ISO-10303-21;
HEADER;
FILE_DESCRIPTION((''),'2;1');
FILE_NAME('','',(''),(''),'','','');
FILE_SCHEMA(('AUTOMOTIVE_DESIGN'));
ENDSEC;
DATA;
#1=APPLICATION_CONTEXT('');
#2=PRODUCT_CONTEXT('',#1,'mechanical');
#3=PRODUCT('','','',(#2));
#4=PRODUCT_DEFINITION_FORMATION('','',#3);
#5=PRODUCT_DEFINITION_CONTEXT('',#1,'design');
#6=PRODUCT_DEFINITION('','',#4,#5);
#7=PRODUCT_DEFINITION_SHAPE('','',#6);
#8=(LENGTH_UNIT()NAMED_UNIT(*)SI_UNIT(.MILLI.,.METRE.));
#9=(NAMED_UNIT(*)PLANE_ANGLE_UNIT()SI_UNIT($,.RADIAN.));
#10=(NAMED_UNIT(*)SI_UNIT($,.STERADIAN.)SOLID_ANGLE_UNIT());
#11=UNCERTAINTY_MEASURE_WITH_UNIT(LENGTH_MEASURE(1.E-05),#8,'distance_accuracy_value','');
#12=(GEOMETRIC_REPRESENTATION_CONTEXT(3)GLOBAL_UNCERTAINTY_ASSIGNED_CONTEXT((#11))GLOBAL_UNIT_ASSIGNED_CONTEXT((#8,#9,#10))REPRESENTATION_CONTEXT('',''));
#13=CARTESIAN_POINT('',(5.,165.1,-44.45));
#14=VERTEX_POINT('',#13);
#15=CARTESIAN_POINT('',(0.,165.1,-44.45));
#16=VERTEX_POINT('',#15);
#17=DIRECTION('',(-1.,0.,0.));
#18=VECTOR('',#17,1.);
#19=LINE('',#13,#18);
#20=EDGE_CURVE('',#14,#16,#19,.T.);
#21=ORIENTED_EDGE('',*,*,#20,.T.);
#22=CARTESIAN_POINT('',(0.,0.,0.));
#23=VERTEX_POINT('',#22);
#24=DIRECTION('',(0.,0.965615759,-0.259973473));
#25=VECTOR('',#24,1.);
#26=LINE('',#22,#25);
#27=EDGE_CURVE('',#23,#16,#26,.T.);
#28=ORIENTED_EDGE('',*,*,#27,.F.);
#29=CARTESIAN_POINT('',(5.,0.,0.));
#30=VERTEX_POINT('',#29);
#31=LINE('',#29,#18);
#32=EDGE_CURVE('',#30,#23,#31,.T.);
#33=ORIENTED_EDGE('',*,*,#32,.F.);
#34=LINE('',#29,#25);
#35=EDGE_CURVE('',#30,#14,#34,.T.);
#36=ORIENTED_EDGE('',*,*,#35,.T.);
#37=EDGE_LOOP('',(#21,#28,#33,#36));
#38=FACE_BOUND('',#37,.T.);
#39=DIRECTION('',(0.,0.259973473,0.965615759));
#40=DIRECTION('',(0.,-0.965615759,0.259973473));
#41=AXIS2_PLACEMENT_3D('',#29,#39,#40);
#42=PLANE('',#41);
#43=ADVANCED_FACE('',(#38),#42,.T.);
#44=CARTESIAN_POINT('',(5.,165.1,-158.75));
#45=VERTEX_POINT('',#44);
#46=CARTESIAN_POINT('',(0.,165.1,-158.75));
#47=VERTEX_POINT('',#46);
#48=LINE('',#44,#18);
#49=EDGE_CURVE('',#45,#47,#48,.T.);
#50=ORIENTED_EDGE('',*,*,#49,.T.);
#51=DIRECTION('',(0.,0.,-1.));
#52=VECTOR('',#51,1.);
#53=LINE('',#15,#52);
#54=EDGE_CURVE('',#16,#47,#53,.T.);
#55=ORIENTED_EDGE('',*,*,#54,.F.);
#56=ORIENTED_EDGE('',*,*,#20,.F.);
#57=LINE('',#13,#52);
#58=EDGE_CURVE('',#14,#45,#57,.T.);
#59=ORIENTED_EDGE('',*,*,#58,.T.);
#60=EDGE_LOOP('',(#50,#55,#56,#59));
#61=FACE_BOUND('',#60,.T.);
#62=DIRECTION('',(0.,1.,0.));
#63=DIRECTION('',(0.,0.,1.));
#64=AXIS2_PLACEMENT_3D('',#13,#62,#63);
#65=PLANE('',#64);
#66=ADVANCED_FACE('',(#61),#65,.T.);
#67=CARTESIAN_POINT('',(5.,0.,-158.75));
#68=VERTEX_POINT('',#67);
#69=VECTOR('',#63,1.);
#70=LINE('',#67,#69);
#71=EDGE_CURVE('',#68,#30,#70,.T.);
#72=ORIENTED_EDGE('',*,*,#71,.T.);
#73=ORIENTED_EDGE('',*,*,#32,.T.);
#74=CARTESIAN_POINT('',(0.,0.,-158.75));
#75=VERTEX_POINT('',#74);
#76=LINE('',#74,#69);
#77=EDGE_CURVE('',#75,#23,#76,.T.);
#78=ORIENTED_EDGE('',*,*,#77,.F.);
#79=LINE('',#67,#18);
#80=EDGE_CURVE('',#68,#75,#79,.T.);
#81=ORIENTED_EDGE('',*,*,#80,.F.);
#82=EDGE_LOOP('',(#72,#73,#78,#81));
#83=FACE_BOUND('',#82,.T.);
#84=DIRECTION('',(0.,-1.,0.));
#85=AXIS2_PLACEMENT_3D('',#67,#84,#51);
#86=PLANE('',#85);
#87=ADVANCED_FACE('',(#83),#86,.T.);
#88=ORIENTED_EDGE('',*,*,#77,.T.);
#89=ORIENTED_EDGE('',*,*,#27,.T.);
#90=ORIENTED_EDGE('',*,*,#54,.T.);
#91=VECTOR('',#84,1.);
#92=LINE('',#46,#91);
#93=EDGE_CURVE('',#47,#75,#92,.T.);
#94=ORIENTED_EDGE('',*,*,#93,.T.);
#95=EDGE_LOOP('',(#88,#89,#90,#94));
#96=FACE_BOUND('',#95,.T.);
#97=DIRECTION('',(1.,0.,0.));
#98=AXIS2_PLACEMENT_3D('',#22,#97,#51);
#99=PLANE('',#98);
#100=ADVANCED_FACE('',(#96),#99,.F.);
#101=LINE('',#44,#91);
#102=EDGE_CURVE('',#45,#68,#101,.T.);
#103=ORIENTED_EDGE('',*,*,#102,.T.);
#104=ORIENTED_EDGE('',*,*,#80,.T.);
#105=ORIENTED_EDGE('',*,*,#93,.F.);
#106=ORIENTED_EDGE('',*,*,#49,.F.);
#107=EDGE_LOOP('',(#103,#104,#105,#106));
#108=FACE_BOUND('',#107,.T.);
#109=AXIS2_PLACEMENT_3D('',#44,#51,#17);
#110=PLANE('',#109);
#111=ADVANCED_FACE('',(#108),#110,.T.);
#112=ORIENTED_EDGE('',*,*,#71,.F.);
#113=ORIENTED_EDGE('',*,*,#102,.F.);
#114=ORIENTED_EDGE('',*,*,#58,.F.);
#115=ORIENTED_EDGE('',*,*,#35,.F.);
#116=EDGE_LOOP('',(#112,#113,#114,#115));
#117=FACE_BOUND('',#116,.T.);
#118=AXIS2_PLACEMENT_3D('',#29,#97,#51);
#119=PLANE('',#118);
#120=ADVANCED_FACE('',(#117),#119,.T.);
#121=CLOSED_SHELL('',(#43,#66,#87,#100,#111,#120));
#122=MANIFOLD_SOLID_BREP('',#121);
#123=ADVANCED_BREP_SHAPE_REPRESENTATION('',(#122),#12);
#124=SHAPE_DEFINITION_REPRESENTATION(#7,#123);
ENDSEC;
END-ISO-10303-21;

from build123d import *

# Parameters (mm, degrees)
BOSS_EXTRUDE1_DEPTH = 5


with BuildPart() as part:
    # Sketch1 → Boss-Extrude1 (new body)
    with BuildSketch(Plane(origin=(0, 0, 0), x_dir=(0, 0, -1), z_dir=(1, 0, 0))):
        Polygon((0, 0), (44.45, 165.1), (158.75, 165.1), (158.75, 0), align=None)
    extrude(amount=BOSS_EXTRUDE1_DEPTH)


solid = part.part
